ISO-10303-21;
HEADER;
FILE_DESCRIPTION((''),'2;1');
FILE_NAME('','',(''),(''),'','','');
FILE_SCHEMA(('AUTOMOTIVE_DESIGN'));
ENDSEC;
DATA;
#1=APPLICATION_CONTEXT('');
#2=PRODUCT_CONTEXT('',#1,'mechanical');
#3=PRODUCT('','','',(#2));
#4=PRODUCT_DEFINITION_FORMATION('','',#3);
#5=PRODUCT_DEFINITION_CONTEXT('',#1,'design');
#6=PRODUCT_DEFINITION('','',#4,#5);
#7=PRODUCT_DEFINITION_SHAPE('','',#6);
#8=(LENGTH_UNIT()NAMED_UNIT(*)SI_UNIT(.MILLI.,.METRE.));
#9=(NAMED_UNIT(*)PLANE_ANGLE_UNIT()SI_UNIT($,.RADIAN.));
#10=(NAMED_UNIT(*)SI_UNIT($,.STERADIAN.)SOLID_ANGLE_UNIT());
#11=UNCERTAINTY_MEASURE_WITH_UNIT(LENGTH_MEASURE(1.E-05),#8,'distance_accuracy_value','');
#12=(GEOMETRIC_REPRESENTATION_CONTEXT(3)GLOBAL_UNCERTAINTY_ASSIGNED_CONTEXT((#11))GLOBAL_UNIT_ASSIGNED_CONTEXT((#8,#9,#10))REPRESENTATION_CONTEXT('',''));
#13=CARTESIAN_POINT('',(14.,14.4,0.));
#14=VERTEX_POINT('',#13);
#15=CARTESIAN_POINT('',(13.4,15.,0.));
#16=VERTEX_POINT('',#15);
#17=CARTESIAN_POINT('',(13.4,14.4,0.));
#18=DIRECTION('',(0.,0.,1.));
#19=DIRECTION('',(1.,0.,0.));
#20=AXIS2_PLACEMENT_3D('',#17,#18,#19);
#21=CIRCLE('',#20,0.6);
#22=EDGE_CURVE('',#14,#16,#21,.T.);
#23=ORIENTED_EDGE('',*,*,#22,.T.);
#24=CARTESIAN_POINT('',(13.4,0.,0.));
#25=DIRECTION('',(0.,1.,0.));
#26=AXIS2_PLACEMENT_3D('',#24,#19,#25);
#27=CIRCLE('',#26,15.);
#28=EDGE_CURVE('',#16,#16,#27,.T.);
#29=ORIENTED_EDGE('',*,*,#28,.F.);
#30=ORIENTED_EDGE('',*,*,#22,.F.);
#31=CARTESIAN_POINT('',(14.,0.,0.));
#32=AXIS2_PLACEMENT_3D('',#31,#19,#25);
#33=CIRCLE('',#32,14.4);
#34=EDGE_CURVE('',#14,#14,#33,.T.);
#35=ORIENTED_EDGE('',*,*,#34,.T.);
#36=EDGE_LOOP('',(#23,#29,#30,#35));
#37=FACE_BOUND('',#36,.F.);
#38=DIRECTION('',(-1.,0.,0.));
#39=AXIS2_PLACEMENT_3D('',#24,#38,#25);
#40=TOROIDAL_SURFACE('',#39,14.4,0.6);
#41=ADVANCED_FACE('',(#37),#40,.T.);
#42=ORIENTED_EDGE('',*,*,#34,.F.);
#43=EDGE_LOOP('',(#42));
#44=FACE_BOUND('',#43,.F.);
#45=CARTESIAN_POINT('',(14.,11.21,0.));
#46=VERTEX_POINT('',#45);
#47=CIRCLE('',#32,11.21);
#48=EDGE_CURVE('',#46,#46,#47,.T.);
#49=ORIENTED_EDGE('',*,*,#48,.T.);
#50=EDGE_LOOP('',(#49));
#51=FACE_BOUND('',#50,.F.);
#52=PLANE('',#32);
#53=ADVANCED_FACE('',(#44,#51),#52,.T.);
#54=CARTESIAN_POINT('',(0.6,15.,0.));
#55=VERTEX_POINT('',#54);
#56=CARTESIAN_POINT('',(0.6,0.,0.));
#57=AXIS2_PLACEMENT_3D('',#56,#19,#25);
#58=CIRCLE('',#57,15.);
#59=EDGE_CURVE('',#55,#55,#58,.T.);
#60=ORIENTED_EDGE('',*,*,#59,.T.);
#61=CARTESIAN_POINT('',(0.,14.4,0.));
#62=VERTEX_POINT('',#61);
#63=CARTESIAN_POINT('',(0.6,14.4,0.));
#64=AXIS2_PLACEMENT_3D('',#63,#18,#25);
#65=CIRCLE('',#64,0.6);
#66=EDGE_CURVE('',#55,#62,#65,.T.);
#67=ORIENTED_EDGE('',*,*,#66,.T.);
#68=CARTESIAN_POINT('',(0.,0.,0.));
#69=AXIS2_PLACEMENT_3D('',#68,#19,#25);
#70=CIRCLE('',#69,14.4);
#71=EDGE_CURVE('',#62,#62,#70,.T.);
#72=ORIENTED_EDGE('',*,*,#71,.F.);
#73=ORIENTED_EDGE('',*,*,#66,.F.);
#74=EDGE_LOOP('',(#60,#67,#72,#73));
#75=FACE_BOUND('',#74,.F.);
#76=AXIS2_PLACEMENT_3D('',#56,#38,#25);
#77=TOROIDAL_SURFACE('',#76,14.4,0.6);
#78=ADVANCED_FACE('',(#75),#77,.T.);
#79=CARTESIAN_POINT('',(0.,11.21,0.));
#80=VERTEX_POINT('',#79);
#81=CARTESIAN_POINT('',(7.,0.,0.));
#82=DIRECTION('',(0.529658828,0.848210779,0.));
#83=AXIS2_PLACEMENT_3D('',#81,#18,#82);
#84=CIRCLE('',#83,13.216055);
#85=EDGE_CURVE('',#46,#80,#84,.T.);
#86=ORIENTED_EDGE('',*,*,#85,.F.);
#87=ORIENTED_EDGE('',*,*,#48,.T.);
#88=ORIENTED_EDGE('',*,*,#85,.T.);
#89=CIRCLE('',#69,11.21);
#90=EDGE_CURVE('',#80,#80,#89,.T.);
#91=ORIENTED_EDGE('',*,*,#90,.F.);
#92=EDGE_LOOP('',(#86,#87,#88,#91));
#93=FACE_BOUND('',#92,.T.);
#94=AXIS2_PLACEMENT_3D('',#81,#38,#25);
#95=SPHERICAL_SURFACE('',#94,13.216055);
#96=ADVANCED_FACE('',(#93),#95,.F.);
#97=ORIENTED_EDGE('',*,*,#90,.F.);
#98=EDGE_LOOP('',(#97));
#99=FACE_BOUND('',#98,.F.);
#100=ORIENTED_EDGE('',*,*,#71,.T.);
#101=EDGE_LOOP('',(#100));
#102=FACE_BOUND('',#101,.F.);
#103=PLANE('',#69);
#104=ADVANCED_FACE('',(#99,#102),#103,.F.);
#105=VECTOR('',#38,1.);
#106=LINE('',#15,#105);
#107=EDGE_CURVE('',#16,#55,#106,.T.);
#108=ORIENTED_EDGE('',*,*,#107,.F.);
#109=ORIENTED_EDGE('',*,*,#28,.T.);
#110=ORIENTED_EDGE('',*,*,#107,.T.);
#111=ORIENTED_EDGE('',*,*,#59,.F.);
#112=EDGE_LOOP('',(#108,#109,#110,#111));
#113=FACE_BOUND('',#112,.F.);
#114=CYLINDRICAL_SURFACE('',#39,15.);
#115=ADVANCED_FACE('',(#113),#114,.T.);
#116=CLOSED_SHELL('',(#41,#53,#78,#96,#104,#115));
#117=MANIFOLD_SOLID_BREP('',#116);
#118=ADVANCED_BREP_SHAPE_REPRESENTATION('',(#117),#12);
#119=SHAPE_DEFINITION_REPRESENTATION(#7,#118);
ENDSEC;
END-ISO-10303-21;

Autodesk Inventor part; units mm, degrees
sketch "Sketch_1" plane through (0, 0, 0) normal (0, 0, 1) x (1, 0, 0)
  line L0 (14, 0) -> (0, 0)
  arc A0 (14, 11.21) -> (0, 11.21) centre (7, 0) ccw
  line L1 (14, 11.21) -> (14, 14.4)
  arc A1 (14, 14.4) -> (13.4, 15) centre (13.4, 14.4) ccw
  line L2 (13.4, 15) -> (0.6, 15)
  arc A2 (0.6, 15) -> (0, 14.4) centre (0.6, 14.4) ccw
  line L3 (0, 14.4) -> (0, 11.21)
revolve "Revolution1" add sketch "Sketch_1" angle 360 about axis through (14, 0, 0) along (1, 0, 0)
ref_plane "ip_cb_1_XY" through (0, 0, 0) normal (1, 0, 0) x (0, 0, -1)
ref_plane "ip_cb_1_YZ" through (0, 0, 0) normal (0, 0, -1) x (0, 1, 0)
ref_plane "ip_cb_1_ZX" through (0, 0, 0) normal (0, 1, 0) x (1, 0, 0)
properties part number "2200 Outer Ring"
